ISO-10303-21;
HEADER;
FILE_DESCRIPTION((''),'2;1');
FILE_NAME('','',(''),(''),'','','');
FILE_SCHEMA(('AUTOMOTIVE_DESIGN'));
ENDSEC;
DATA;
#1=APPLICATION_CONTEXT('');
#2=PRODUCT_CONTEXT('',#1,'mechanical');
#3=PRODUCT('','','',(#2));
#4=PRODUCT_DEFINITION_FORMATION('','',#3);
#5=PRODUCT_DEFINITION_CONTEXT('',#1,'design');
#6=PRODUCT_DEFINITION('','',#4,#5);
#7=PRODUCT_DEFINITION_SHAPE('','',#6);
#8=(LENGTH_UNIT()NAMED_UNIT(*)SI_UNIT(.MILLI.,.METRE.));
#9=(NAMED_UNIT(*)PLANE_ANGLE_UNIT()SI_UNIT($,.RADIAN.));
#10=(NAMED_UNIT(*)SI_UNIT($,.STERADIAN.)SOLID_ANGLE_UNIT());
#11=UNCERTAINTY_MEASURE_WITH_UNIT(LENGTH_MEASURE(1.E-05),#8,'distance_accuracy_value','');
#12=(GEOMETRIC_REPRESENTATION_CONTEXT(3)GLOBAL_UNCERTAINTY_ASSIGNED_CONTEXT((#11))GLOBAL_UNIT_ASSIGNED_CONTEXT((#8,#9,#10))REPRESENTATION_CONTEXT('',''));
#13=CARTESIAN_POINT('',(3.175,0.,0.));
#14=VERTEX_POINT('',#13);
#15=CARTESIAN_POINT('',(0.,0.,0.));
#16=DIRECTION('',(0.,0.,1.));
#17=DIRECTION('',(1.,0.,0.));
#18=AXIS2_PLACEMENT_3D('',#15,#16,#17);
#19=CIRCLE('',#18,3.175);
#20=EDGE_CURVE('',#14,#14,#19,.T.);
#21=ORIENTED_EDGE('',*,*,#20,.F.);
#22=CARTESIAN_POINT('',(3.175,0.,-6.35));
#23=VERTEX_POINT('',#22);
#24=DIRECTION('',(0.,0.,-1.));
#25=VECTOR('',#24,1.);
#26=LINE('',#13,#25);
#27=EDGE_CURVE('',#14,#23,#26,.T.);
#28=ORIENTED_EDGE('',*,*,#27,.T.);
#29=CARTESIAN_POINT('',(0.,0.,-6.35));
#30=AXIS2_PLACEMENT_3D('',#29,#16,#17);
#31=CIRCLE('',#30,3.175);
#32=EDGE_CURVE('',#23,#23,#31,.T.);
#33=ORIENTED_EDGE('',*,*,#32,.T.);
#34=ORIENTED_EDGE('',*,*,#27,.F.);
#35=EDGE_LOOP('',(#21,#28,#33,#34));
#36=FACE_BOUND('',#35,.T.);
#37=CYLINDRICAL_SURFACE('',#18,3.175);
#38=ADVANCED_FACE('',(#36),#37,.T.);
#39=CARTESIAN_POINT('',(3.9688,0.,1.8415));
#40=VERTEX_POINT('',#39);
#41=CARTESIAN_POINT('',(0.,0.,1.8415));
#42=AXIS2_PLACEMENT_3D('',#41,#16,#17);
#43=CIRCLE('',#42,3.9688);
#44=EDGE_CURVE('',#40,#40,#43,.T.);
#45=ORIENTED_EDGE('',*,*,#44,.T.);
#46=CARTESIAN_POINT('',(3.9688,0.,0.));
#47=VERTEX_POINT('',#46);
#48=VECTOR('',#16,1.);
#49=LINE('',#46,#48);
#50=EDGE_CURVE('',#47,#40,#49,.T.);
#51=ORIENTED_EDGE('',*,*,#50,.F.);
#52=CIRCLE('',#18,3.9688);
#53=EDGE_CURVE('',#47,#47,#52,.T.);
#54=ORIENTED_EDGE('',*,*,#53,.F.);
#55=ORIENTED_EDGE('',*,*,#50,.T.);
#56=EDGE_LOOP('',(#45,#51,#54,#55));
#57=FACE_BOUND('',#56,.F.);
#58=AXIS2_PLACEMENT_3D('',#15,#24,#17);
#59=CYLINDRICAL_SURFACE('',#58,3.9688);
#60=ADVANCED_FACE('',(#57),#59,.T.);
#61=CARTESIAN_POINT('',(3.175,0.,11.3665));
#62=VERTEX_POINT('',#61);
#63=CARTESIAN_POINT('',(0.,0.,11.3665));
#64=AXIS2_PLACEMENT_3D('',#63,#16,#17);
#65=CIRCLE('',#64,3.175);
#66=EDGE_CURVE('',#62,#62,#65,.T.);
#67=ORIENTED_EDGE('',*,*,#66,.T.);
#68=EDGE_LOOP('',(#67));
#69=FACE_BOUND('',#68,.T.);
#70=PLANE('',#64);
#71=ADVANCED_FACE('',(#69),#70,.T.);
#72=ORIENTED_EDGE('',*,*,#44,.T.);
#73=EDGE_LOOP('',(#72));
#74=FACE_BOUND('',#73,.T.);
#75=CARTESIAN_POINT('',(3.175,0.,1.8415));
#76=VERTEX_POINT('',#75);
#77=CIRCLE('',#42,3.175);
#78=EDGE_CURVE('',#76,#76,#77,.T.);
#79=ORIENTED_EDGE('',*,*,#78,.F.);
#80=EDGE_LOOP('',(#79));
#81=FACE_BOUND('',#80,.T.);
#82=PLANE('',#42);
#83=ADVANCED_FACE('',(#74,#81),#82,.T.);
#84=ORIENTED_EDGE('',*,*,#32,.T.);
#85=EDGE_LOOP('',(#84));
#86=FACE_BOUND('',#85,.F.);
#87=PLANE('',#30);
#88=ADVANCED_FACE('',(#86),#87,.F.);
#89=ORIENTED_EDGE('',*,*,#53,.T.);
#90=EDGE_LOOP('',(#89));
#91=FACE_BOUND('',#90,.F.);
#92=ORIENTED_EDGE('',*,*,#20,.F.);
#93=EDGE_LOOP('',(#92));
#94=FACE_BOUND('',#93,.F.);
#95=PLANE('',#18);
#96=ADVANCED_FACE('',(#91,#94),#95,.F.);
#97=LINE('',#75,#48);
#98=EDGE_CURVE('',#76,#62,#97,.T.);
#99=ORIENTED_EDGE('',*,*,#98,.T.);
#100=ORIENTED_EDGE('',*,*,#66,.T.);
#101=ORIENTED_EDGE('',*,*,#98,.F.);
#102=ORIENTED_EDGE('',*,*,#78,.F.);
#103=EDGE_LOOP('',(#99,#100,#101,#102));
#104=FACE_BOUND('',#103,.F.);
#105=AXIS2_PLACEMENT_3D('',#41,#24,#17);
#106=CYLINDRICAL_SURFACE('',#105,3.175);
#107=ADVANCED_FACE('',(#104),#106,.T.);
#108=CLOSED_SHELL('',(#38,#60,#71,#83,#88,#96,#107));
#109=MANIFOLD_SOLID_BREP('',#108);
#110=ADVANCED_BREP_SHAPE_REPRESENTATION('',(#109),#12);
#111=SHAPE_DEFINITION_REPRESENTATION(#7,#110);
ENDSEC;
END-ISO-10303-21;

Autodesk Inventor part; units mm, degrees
ref_plane "YZ Plane" through (0, 0, 0) normal (1, 0, 0) x (0, 1, 0)
ref_plane "XZ Plane" through (0, 0, 0) normal (0, 1, 0) x (-1, 0, 0)
ref_plane "XY Plane" through (0, 0, 0) normal (0, 0, 1) x (1, 0, 0)
sketch "Sketch1" plane through (0, 0, 0) normal (0, 0, 1) x (1, 0, 0)
  circle A0 centre (0, 0) radius 3.175
  circle A1 centre (0, 0) radius 3.9688
  dimension "d0" = 6.35
  dimension "d1" = 7.9375
extrude "Extrusion1" add sketch "Sketch1" along normal blind 1.8415 contours A0 | A1
extrude "Extrusion2" add sketch "Sketch1" against normal blind 6.35 contours A0
sketch "Sketch2" plane through (0, 0, 1.8415) normal (0, 0, 1) x (1, 0, 0)
  circle A0 centre (0, 0) radius 3.9687 projected
  circle A1 centre (0, 0) radius 3.175
  dimension "d6" = 6.35
extrude "Extrusion3" add sketch "Sketch2" along normal blind 9.525 contours A1
properties part number "Encoder Idler Shaft"
